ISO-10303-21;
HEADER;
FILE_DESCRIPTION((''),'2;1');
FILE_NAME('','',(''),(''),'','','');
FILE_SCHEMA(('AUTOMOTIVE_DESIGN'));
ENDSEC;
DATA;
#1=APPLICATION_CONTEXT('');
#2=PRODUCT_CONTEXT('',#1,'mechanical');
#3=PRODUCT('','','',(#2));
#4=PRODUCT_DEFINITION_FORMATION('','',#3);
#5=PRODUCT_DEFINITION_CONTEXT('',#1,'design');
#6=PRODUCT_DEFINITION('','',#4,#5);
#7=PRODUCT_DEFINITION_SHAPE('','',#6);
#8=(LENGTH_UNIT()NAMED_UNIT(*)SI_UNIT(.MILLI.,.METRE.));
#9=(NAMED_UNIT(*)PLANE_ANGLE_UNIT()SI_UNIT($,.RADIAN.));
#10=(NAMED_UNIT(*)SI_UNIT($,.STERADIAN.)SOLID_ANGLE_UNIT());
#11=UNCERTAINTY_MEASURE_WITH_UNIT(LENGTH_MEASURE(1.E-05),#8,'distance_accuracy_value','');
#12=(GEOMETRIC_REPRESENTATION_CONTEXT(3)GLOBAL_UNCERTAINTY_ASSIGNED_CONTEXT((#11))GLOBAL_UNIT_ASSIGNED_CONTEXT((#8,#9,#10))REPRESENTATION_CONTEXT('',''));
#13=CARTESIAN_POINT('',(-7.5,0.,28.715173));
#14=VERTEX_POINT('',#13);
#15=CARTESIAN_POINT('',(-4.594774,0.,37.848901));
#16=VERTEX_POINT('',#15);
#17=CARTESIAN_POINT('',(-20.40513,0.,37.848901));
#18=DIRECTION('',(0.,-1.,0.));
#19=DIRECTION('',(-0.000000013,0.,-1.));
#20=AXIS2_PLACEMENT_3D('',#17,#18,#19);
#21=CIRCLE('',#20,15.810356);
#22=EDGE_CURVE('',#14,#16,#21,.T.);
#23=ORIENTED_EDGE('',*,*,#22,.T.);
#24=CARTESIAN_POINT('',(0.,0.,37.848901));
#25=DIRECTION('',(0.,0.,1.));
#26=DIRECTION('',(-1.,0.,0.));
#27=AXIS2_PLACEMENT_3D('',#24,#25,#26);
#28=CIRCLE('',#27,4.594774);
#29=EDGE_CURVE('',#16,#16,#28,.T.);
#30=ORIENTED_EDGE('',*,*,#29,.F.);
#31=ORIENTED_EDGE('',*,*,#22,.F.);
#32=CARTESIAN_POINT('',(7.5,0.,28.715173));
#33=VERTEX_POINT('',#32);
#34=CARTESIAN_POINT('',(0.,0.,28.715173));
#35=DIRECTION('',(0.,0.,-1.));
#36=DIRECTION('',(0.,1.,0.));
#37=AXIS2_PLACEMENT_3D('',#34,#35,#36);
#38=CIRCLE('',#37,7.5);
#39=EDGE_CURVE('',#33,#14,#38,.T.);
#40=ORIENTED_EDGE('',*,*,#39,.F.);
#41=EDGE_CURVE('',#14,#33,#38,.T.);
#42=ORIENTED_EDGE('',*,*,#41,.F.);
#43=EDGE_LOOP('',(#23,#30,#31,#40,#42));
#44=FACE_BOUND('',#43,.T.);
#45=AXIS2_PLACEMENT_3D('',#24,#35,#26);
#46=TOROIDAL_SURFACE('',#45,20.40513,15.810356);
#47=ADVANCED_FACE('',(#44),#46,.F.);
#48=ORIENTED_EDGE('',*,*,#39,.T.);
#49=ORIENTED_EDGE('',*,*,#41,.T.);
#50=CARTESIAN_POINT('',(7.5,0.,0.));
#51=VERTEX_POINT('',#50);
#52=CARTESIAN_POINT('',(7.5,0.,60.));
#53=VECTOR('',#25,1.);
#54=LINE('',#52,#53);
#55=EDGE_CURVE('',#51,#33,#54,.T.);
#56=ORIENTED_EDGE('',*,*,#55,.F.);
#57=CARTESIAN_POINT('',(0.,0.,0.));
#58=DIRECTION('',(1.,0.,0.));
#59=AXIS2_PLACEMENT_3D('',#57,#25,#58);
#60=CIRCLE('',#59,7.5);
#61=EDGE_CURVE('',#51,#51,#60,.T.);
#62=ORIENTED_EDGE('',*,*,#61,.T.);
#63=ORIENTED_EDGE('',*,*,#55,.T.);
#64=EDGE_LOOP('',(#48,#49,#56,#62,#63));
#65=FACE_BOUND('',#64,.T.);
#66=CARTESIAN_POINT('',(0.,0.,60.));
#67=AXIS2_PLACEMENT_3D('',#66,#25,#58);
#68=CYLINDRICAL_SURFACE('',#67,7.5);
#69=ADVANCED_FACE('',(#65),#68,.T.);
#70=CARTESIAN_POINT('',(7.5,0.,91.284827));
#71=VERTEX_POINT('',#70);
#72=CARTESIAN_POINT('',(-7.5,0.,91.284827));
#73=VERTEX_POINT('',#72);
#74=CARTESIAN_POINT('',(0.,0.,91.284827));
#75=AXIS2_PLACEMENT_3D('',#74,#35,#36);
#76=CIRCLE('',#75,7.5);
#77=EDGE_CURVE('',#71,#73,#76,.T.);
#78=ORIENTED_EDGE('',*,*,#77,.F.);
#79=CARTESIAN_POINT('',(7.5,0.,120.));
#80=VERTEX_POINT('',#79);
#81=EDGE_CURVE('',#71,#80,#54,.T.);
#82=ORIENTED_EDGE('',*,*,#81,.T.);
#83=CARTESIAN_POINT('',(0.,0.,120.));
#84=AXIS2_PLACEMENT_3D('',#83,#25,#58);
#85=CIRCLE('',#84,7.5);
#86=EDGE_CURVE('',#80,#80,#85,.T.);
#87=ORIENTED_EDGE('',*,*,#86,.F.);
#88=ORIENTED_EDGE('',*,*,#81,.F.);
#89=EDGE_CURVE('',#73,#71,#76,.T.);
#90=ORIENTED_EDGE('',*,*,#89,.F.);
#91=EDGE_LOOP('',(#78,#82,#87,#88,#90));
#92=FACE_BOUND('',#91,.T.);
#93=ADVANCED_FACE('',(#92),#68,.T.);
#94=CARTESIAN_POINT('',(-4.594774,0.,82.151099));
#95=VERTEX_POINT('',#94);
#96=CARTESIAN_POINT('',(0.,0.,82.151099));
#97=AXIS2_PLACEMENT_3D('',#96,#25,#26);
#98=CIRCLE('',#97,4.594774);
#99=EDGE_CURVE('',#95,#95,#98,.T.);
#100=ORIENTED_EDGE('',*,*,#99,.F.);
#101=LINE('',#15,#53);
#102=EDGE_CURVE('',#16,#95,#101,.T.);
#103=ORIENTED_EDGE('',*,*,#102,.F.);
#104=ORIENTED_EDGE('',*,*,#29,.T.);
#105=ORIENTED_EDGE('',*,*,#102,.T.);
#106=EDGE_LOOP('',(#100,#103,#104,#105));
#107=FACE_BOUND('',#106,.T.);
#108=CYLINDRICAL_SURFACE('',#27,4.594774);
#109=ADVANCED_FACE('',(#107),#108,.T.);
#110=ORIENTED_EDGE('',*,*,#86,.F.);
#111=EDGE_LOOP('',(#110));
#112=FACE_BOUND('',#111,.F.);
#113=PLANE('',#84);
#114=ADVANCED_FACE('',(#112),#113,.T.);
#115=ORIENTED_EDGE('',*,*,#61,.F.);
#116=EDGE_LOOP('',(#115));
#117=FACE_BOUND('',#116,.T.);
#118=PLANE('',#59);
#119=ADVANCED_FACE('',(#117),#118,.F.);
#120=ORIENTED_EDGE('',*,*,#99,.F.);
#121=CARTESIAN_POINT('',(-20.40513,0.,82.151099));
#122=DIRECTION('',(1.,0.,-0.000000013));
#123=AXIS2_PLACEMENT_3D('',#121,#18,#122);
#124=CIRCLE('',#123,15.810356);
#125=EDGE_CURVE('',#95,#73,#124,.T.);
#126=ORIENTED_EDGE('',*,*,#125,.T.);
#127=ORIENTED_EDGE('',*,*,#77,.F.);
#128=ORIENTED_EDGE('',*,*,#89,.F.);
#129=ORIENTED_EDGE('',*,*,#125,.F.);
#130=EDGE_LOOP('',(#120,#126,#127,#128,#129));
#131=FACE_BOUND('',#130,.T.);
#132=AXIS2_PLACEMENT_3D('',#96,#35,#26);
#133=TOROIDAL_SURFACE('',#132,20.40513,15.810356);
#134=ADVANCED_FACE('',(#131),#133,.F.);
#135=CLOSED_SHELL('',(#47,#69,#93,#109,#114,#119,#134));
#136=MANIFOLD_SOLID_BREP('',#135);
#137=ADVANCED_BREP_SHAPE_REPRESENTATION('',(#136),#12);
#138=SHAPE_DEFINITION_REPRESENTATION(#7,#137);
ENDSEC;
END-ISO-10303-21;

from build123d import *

# Parameters (mm, degrees)
F0_W = 7.5
F0_H = 120


with BuildPart() as f1:
    # F0 (on Front) → F1 (revolve)
    with BuildSketch(Plane.XZ):
        with Locations((3.75, 60)):
            Rectangle(F0_W, F0_H)
    revolve(axis=Axis((0, 0, 60), (0, 0, 1)))

    # F2 (on Front) → F3 (revolve, cut)
    with BuildSketch(Plane.XZ):
        with BuildLine():
            ThreePointArc((-20.40513, 22.038545), (-9.22552, 26.669291), (-4.594774, 37.848901))
            Line((-4.594774, 37.848901), (-4.594774, 82.151099))
            ThreePointArc((-4.594774, 82.151099), (-9.22552, 93.330709), (-20.40513, 97.961455))
            Line((-20.40513, 97.961455), (-20.40513, 22.038545))
        make_face()
    revolve(axis=Axis((0, 0, 57.177005), (0, 0, 1)), mode=Mode.SUBTRACT)


solid = f1.part
